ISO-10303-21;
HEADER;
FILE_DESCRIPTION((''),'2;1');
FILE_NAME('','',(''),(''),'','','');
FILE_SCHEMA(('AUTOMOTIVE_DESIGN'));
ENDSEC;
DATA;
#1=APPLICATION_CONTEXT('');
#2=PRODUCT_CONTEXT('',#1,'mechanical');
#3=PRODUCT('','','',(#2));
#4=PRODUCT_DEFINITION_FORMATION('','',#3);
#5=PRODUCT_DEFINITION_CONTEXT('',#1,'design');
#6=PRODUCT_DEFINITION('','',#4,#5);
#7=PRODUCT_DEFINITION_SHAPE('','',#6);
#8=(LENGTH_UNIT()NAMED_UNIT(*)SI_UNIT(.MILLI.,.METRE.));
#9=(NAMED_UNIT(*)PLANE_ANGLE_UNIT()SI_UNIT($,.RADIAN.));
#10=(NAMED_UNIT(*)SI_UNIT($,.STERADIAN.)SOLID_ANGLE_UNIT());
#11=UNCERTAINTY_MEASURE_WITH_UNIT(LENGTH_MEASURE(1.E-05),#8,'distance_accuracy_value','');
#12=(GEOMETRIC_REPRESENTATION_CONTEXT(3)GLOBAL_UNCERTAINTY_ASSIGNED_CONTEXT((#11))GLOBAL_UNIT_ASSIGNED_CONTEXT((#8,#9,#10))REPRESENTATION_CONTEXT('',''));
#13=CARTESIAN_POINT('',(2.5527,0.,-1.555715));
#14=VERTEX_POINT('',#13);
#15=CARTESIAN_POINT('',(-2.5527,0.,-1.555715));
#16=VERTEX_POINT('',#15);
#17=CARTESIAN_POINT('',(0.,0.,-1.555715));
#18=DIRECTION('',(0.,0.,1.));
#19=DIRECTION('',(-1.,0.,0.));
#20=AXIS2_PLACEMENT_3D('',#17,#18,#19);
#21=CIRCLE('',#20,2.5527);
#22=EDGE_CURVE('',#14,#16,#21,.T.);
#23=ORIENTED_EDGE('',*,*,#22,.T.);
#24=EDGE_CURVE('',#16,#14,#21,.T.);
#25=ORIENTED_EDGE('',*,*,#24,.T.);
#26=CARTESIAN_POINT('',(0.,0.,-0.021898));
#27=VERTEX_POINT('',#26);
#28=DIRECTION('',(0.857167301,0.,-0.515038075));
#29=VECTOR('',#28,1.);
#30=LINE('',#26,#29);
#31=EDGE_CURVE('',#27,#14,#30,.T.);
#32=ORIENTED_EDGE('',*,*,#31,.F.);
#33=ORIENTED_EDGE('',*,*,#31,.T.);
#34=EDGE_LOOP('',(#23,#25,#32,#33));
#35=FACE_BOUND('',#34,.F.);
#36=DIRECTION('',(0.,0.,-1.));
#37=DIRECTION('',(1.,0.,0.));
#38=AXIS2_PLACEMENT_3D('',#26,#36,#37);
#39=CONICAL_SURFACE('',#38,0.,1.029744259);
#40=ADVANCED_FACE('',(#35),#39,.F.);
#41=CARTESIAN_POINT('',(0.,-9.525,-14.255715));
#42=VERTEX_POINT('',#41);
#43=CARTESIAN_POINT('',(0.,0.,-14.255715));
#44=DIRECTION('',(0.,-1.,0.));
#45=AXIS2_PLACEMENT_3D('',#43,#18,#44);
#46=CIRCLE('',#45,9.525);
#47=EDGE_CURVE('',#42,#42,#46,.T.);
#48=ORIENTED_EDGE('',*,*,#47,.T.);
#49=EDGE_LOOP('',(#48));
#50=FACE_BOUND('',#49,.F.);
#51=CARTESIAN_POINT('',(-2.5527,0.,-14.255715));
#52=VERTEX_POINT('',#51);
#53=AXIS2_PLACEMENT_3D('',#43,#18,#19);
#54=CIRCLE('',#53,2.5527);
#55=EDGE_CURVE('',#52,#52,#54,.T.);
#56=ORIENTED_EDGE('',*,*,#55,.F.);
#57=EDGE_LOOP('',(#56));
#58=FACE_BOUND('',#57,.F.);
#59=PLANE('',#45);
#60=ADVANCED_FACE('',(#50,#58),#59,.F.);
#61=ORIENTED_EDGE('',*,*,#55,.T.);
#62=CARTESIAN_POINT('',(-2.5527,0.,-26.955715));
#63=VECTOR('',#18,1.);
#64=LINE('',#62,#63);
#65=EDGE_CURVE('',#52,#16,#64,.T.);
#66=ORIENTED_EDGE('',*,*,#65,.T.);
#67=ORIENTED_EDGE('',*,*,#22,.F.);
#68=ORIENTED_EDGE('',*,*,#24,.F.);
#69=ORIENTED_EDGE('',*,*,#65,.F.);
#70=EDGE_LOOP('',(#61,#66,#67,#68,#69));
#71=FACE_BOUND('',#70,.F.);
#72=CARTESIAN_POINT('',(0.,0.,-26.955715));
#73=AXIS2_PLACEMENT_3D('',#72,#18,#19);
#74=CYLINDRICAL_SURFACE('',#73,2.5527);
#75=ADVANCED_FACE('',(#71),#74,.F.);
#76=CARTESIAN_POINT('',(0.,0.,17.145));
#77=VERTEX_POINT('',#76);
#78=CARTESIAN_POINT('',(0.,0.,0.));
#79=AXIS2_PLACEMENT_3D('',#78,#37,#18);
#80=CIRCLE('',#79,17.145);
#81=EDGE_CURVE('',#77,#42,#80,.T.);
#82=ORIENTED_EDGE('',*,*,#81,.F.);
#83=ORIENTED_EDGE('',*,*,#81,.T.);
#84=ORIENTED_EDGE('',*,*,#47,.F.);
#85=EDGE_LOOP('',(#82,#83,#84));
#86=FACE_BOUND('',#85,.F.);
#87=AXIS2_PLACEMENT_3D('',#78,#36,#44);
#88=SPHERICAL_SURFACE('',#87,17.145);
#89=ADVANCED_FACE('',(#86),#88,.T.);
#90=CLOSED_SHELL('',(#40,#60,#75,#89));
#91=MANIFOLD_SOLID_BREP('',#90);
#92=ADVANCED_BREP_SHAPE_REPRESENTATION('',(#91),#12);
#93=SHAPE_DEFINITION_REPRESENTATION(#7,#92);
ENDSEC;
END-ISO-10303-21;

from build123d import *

# Parameters (mm, degrees)
F3_D     = 5.1054
F3_DEPTH = 12.7
F3_TIP   = 1.5338169022


with BuildPart() as f1:
    # F0 (on Right) → F1 (revolve)
    with BuildSketch(Plane.YZ):
        with BuildLine():
            Line((0, -14.2557146436), (0, 17.145))
            ThreePointArc((0, 17.145), (-16.4067859827, 4.9767859827), (-9.525, -14.2557146436))
            Line((-9.525, -14.2557146436), (0, -14.2557146436))
        make_face()
    revolve(axis=Axis((0, 0, 1.4446426782), (0, 0, 1)))

    # F3
    with Locations(Plane(origin=(0, 0, -14.2557146436), x_dir=(1, 0, 0), z_dir=(0, 0, -1))):
        with Locations((0, 0)):
            Hole(F3_D / 2, depth=F3_DEPTH)
            with Locations((0, 0, -(F3_DEPTH + F3_TIP / 2))):  # 118° drill point
                Cone(0, F3_D / 2, F3_TIP, mode=Mode.SUBTRACT)


solid = f1.part
